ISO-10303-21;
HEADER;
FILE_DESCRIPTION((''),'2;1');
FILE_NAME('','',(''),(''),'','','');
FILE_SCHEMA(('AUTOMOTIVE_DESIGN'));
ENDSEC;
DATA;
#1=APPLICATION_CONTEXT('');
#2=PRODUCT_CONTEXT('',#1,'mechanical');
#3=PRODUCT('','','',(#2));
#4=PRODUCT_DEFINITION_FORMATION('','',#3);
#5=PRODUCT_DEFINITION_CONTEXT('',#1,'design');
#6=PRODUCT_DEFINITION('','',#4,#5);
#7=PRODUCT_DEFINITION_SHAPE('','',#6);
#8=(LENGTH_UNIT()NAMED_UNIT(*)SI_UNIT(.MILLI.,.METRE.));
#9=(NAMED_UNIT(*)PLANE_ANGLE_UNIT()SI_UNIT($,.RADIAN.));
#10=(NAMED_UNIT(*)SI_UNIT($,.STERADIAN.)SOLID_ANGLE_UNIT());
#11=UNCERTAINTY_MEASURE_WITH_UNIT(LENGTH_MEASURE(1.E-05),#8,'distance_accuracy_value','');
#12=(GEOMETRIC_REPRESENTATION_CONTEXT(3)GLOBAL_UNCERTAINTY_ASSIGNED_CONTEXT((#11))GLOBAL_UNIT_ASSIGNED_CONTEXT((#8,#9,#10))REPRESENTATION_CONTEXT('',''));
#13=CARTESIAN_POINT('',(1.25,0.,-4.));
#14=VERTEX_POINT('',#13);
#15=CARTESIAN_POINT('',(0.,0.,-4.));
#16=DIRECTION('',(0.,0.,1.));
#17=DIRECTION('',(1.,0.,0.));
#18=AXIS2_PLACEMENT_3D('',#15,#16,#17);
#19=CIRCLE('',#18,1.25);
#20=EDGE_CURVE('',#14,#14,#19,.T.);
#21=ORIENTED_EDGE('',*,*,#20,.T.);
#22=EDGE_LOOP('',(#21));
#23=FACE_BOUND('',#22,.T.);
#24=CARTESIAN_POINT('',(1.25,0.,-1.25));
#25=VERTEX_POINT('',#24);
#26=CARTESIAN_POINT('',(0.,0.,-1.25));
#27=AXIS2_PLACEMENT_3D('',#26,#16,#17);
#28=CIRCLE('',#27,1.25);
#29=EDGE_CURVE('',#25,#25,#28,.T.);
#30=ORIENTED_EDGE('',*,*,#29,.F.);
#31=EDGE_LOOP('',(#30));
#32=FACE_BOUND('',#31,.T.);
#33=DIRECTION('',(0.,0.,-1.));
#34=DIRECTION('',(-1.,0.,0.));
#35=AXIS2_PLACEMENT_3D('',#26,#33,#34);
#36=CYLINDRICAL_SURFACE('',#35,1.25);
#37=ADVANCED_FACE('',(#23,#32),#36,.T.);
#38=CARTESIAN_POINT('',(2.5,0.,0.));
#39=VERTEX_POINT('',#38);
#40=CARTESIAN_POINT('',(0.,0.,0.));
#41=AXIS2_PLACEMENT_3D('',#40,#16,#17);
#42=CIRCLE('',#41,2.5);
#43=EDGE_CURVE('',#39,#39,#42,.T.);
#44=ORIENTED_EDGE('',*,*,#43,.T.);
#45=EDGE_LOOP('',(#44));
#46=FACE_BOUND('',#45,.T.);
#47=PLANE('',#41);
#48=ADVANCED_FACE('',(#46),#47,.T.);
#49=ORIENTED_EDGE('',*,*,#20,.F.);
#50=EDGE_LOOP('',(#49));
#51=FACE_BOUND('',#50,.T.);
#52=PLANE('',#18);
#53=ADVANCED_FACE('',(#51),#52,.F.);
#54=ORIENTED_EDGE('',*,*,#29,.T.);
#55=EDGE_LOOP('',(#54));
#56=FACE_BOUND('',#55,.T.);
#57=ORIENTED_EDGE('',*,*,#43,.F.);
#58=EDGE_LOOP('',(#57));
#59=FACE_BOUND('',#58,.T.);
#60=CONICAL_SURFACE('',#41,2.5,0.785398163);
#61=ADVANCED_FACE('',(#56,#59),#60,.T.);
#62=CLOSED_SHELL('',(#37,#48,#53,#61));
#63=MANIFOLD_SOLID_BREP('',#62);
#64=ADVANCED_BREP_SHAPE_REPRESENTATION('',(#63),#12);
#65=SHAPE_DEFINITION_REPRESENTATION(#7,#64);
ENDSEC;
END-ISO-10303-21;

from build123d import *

# Parameters (mm, degrees)
SKETCH1_R                  = 2.5
COUNTERSUNK_HEAD_D5_DEPTH  = 1.25
COUNTERSUNK_HEAD_D5_DRAFT  = -45
M2P5_THREAD_ENVELOPE_START = -4
SKETCH2_R                  = 1.25
M2P5_THREAD_ENVELOPE_DEPTH = 2.75


with BuildPart() as part:
    # Sketch1 → Countersunk_Head_D5 (with draft: the straight prism first)
    with BuildSketch(Plane.XY):
        Circle(SKETCH1_R)
    extrude(amount=-COUNTERSUNK_HEAD_D5_DEPTH)
    # Countersunk_Head_D5: the draft: its side faces are tilted about the plane it starts from
    countersunk_head_d5_sides = [part.faces().sort_by_distance(p)[0] for p in [
        (-2.5, 0, -0.625),
    ]]
    draft(countersunk_head_d5_sides, Plane.XY, COUNTERSUNK_HEAD_D5_DRAFT)

    # Sketch2 → M2p5_Thread_Envelope (add)
    with BuildSketch(Plane.XY.offset(M2P5_THREAD_ENVELOPE_START)):
        Circle(SKETCH2_R)
    extrude(amount=M2P5_THREAD_ENVELOPE_DEPTH)


solid = part.part
